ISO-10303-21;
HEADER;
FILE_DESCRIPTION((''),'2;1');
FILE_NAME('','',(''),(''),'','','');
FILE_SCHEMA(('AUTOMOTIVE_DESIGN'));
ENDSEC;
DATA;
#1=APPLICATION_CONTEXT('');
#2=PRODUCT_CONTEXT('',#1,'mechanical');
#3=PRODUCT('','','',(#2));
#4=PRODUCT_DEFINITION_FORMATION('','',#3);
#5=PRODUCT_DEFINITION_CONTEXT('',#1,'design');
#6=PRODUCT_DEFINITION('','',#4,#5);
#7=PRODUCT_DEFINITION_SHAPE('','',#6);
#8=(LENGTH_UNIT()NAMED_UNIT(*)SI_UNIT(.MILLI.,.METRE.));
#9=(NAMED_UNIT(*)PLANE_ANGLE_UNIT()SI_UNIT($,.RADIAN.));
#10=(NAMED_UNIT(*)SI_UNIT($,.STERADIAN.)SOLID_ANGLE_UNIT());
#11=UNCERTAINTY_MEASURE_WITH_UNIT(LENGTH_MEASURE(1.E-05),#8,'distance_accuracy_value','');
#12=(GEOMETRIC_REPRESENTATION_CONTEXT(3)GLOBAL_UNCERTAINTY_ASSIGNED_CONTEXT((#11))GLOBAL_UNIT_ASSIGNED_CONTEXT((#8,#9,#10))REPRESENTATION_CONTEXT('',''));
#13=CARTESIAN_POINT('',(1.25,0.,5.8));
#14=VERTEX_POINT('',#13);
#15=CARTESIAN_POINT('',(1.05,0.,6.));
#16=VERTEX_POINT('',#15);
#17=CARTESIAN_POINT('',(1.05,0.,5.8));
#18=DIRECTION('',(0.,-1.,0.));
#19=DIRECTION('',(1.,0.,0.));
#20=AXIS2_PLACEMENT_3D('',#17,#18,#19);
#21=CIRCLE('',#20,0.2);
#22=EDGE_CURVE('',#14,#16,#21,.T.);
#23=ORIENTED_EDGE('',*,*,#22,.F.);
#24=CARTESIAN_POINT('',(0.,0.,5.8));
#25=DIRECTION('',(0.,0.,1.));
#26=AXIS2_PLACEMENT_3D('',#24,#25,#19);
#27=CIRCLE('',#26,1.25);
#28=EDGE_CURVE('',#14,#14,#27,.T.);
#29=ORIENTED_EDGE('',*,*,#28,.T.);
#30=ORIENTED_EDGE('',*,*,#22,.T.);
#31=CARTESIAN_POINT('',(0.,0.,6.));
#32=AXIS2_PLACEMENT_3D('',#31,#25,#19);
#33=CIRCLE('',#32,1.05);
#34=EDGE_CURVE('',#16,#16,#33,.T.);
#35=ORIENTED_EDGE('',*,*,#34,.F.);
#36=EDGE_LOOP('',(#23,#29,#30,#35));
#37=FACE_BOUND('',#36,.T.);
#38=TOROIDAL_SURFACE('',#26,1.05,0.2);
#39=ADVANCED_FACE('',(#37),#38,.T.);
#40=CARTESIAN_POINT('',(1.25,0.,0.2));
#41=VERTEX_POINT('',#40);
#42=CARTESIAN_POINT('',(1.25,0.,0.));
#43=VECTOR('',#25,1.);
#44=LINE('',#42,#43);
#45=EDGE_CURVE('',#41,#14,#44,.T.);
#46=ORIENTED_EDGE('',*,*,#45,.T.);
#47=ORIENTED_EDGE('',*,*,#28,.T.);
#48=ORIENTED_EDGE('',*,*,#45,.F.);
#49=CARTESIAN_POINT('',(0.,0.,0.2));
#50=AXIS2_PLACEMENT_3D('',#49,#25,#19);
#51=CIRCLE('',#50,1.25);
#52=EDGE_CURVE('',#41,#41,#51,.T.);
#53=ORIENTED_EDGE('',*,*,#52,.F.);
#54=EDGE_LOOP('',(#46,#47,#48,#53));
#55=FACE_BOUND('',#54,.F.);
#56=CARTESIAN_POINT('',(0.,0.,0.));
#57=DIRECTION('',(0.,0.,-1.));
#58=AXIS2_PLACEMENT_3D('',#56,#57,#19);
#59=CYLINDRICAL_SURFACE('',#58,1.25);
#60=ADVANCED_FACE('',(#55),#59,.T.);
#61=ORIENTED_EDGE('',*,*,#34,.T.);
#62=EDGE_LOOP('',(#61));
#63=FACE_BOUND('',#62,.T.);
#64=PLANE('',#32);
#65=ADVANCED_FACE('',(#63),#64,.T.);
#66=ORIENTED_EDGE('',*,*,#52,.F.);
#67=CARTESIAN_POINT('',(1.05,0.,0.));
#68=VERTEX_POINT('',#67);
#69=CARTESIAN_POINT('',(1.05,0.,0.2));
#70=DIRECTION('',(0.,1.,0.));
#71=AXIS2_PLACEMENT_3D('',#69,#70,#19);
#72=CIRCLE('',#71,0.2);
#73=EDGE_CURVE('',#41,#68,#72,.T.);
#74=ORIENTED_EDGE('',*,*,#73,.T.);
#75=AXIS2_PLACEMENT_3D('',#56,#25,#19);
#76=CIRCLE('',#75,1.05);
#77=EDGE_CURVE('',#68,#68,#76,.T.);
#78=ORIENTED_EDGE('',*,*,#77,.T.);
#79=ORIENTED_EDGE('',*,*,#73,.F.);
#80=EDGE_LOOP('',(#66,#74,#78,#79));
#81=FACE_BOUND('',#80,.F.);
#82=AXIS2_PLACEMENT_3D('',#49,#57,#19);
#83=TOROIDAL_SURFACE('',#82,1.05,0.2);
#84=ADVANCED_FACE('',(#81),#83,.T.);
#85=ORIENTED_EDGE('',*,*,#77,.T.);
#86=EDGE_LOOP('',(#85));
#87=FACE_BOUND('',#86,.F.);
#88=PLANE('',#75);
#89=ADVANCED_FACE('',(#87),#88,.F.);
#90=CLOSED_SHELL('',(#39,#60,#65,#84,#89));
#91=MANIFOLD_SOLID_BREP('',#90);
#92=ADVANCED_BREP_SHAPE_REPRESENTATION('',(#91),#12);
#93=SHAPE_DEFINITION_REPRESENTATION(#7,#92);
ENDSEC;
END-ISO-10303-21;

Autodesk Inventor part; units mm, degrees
ref_plane "YZ Plane" through (0, 0, 0) normal (1, 0, 0) x (0, 1, 0)
ref_plane "XZ Plane" through (0, 0, 0) normal (0, 1, 0) x (-1, 0, 0)
ref_plane "XY Plane" through (0, 0, 0) normal (0, 0, 1) x (1, 0, 0)
sketch "スケッチ1" plane through (0, 0, 0) normal (0, 0, 1) x (1, 0, 0)
  circle A0 centre (0, 0) radius 1.25
  dimension "d0" = 2.5
extrude "押し出し1" add sketch "スケッチ1" along normal blind 6
fillet "フィレット1" radius 0.2 2 edges at (-1.25, 0, 6) (-1.25, 0, 0)
properties part number "平行ピン　φ2.5　長さ6" material "ステンレス鋼"
